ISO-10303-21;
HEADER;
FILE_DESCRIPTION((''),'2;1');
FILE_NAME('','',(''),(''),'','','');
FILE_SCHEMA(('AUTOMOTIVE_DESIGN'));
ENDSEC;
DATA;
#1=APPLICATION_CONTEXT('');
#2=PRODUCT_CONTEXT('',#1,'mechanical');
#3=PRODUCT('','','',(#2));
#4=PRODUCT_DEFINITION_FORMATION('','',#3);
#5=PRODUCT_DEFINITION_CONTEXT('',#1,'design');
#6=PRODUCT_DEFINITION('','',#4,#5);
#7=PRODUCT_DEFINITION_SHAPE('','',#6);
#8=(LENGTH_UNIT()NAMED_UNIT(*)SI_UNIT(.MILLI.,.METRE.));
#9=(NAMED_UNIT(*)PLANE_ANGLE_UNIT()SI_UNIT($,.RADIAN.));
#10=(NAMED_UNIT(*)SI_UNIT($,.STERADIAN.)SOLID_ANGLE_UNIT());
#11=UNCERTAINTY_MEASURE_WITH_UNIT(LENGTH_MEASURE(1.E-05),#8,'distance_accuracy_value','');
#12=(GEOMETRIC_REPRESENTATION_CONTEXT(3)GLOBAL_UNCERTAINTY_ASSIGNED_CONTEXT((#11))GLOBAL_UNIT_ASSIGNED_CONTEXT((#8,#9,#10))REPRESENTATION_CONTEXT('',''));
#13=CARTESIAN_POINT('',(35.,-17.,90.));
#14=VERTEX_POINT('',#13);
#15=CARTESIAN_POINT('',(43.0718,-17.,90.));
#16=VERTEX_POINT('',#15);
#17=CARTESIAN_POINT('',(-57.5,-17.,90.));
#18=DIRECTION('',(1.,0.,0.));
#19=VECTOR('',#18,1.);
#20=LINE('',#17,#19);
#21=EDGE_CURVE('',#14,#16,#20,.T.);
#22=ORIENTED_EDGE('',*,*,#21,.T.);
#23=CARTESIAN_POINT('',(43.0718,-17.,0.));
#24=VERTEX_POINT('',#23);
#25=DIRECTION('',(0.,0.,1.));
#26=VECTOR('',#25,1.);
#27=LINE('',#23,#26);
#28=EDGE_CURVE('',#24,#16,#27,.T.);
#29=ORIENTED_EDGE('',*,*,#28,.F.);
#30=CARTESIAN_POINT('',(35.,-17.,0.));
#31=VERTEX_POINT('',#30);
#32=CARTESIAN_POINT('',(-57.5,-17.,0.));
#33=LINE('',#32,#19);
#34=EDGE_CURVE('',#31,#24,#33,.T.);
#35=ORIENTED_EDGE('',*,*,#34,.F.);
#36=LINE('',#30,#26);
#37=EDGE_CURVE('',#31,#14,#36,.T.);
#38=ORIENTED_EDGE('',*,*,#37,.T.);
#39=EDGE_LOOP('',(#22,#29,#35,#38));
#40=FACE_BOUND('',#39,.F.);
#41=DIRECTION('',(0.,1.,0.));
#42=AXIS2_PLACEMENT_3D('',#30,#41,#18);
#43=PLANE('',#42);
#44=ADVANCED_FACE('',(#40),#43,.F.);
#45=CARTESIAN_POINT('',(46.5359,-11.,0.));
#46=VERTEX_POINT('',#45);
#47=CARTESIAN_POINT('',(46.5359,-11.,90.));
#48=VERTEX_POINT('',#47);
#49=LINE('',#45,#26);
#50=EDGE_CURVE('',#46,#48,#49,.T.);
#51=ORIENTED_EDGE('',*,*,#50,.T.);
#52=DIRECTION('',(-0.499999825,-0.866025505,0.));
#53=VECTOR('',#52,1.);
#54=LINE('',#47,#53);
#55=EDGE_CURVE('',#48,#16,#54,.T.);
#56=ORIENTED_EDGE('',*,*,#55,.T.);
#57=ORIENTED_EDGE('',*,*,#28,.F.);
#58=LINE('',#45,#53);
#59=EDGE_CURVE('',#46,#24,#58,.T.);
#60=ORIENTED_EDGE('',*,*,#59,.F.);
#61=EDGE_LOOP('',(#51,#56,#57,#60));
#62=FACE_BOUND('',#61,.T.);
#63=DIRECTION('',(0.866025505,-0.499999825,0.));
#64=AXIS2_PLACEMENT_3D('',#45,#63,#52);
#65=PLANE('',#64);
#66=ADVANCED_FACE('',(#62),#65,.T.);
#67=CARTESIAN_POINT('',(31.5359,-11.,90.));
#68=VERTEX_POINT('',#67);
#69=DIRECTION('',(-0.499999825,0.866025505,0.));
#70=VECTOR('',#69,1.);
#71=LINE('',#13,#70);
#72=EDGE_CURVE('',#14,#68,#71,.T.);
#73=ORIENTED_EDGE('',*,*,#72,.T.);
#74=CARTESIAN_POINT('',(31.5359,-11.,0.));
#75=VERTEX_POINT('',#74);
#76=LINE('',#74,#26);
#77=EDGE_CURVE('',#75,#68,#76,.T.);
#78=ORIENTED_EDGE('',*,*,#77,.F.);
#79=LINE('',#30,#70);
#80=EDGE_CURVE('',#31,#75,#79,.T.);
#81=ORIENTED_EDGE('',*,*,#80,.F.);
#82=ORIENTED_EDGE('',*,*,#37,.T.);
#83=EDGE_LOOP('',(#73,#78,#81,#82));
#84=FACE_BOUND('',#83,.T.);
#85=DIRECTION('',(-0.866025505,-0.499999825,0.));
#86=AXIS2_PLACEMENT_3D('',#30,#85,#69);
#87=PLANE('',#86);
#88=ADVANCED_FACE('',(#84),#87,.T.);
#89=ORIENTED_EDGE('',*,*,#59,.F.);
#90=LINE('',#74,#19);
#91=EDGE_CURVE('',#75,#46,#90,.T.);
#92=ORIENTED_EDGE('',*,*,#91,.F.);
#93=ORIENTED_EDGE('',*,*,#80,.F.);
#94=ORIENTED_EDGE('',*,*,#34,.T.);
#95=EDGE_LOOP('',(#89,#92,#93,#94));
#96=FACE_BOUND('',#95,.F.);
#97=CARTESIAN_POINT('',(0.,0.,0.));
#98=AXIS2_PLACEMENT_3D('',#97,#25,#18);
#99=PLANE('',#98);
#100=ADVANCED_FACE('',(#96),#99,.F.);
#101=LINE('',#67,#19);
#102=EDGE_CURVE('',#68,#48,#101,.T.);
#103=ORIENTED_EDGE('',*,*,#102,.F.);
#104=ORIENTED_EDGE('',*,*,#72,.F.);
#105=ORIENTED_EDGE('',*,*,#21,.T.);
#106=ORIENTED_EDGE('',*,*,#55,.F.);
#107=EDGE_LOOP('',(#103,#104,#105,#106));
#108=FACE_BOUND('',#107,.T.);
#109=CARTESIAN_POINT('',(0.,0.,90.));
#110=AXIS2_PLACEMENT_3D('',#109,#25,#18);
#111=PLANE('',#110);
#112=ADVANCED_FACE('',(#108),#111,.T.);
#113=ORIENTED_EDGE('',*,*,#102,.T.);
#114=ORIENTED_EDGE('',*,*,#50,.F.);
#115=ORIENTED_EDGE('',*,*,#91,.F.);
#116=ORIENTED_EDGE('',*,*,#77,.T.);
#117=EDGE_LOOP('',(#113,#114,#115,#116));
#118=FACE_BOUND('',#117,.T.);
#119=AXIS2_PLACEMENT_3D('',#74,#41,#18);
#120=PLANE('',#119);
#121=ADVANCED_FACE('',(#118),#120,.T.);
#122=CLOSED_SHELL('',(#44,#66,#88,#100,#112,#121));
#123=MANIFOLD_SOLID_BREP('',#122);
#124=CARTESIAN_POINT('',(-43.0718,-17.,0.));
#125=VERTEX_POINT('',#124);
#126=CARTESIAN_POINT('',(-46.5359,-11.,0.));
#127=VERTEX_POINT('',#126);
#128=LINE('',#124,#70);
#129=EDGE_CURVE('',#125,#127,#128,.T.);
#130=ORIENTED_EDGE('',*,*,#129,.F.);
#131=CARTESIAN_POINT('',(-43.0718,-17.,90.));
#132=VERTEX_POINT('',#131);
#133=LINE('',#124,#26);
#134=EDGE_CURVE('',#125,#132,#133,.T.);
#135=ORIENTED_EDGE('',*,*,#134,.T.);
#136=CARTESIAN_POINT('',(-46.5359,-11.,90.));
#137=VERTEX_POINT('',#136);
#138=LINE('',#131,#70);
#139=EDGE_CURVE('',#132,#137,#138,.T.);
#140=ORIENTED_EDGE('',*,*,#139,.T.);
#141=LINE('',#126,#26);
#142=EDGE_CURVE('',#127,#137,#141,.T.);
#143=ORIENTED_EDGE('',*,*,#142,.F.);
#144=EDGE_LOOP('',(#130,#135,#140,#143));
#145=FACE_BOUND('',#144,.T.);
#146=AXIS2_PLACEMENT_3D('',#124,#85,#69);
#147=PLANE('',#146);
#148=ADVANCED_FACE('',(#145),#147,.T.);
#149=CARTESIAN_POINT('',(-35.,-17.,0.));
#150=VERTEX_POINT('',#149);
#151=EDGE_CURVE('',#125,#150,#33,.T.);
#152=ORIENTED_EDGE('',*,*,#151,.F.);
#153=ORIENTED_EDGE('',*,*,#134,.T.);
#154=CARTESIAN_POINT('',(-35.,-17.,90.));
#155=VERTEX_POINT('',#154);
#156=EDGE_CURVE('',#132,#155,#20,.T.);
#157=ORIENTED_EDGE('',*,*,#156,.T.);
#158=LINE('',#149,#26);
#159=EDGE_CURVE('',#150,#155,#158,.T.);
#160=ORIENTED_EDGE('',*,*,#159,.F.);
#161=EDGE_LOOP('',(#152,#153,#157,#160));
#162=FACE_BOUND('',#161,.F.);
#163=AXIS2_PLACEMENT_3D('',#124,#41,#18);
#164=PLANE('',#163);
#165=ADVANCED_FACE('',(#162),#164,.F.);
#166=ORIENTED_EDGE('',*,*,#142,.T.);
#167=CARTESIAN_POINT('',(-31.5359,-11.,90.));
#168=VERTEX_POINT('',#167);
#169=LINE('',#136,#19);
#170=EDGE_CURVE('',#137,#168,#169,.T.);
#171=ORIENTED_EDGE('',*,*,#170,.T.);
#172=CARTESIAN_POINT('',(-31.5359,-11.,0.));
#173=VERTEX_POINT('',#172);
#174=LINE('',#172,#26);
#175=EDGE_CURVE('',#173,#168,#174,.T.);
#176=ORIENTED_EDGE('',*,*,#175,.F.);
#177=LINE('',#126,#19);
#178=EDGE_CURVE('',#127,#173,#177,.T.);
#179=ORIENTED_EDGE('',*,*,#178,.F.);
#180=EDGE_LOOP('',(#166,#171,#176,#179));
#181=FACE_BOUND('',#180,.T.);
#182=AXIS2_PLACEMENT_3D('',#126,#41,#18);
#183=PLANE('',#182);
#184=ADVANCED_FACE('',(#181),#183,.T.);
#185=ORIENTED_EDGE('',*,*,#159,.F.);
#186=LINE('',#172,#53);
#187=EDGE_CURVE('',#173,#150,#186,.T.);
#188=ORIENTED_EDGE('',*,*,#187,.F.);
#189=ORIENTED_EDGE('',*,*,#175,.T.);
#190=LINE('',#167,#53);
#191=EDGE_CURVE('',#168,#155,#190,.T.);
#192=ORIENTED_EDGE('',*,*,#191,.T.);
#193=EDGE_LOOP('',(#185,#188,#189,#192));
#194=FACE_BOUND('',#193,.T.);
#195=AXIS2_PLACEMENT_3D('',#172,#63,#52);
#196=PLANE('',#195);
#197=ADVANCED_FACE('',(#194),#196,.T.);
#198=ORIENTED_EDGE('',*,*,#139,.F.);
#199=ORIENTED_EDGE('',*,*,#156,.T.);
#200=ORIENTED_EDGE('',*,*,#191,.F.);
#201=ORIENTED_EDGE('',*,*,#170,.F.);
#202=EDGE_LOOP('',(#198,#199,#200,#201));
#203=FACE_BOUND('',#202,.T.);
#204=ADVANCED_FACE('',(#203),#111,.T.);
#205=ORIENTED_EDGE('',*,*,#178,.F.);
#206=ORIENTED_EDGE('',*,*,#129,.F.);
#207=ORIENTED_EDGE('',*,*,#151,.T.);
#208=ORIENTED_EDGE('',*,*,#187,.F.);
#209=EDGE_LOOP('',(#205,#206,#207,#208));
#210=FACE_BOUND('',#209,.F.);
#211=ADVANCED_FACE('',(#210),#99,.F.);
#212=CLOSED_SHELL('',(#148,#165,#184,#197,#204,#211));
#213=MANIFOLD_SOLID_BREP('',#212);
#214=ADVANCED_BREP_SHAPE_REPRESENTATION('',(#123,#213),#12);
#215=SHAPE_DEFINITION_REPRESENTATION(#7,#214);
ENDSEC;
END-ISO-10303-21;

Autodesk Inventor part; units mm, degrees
ref_plane "YZ Plane" through (0, 0, 0) normal (1, 0, 0) x (0, 1, 0)
ref_plane "XZ Plane" through (0, 0, 0) normal (0, 1, 0) x (-1, 0, 0)
ref_plane "XY Plane" through (0, 0, 0) normal (0, 0, 1) x (1, 0, 0)
sketch "Esquisse1" plane through (0, 0, 0) normal (0, 0, 1) x (1, 0, 0)
  line L0 (-57.5, -17) -> (57.5, -17)
  line L1 (-43.0718, -17) -> (-46.5359, -11)
  line L2 (-46.5359, -11) -> (-31.5359, -11)
  line L3 (-31.5359, -11) -> (-35, -17)
  line L4 (-35, -17) -> (-43.0718, -17)
  line L5 (35, -17) -> (31.5359, -11)
  line L6 (31.5359, -11) -> (46.5359, -11)
  line L7 (46.5359, -11) -> (43.0718, -17)
  dimension "d10" = 60
  dimension "d11" = 60
  dimension "d12" = 6
  dimension "d13" = 15
  dimension "d14" = 15
  dimension "d15" = 60
  dimension "d16" = 60
  dimension "d17" = 6
extrude "Extrusion1" add sketch "Esquisse1" along normal blind 90
properties part number "support bobine rail"
